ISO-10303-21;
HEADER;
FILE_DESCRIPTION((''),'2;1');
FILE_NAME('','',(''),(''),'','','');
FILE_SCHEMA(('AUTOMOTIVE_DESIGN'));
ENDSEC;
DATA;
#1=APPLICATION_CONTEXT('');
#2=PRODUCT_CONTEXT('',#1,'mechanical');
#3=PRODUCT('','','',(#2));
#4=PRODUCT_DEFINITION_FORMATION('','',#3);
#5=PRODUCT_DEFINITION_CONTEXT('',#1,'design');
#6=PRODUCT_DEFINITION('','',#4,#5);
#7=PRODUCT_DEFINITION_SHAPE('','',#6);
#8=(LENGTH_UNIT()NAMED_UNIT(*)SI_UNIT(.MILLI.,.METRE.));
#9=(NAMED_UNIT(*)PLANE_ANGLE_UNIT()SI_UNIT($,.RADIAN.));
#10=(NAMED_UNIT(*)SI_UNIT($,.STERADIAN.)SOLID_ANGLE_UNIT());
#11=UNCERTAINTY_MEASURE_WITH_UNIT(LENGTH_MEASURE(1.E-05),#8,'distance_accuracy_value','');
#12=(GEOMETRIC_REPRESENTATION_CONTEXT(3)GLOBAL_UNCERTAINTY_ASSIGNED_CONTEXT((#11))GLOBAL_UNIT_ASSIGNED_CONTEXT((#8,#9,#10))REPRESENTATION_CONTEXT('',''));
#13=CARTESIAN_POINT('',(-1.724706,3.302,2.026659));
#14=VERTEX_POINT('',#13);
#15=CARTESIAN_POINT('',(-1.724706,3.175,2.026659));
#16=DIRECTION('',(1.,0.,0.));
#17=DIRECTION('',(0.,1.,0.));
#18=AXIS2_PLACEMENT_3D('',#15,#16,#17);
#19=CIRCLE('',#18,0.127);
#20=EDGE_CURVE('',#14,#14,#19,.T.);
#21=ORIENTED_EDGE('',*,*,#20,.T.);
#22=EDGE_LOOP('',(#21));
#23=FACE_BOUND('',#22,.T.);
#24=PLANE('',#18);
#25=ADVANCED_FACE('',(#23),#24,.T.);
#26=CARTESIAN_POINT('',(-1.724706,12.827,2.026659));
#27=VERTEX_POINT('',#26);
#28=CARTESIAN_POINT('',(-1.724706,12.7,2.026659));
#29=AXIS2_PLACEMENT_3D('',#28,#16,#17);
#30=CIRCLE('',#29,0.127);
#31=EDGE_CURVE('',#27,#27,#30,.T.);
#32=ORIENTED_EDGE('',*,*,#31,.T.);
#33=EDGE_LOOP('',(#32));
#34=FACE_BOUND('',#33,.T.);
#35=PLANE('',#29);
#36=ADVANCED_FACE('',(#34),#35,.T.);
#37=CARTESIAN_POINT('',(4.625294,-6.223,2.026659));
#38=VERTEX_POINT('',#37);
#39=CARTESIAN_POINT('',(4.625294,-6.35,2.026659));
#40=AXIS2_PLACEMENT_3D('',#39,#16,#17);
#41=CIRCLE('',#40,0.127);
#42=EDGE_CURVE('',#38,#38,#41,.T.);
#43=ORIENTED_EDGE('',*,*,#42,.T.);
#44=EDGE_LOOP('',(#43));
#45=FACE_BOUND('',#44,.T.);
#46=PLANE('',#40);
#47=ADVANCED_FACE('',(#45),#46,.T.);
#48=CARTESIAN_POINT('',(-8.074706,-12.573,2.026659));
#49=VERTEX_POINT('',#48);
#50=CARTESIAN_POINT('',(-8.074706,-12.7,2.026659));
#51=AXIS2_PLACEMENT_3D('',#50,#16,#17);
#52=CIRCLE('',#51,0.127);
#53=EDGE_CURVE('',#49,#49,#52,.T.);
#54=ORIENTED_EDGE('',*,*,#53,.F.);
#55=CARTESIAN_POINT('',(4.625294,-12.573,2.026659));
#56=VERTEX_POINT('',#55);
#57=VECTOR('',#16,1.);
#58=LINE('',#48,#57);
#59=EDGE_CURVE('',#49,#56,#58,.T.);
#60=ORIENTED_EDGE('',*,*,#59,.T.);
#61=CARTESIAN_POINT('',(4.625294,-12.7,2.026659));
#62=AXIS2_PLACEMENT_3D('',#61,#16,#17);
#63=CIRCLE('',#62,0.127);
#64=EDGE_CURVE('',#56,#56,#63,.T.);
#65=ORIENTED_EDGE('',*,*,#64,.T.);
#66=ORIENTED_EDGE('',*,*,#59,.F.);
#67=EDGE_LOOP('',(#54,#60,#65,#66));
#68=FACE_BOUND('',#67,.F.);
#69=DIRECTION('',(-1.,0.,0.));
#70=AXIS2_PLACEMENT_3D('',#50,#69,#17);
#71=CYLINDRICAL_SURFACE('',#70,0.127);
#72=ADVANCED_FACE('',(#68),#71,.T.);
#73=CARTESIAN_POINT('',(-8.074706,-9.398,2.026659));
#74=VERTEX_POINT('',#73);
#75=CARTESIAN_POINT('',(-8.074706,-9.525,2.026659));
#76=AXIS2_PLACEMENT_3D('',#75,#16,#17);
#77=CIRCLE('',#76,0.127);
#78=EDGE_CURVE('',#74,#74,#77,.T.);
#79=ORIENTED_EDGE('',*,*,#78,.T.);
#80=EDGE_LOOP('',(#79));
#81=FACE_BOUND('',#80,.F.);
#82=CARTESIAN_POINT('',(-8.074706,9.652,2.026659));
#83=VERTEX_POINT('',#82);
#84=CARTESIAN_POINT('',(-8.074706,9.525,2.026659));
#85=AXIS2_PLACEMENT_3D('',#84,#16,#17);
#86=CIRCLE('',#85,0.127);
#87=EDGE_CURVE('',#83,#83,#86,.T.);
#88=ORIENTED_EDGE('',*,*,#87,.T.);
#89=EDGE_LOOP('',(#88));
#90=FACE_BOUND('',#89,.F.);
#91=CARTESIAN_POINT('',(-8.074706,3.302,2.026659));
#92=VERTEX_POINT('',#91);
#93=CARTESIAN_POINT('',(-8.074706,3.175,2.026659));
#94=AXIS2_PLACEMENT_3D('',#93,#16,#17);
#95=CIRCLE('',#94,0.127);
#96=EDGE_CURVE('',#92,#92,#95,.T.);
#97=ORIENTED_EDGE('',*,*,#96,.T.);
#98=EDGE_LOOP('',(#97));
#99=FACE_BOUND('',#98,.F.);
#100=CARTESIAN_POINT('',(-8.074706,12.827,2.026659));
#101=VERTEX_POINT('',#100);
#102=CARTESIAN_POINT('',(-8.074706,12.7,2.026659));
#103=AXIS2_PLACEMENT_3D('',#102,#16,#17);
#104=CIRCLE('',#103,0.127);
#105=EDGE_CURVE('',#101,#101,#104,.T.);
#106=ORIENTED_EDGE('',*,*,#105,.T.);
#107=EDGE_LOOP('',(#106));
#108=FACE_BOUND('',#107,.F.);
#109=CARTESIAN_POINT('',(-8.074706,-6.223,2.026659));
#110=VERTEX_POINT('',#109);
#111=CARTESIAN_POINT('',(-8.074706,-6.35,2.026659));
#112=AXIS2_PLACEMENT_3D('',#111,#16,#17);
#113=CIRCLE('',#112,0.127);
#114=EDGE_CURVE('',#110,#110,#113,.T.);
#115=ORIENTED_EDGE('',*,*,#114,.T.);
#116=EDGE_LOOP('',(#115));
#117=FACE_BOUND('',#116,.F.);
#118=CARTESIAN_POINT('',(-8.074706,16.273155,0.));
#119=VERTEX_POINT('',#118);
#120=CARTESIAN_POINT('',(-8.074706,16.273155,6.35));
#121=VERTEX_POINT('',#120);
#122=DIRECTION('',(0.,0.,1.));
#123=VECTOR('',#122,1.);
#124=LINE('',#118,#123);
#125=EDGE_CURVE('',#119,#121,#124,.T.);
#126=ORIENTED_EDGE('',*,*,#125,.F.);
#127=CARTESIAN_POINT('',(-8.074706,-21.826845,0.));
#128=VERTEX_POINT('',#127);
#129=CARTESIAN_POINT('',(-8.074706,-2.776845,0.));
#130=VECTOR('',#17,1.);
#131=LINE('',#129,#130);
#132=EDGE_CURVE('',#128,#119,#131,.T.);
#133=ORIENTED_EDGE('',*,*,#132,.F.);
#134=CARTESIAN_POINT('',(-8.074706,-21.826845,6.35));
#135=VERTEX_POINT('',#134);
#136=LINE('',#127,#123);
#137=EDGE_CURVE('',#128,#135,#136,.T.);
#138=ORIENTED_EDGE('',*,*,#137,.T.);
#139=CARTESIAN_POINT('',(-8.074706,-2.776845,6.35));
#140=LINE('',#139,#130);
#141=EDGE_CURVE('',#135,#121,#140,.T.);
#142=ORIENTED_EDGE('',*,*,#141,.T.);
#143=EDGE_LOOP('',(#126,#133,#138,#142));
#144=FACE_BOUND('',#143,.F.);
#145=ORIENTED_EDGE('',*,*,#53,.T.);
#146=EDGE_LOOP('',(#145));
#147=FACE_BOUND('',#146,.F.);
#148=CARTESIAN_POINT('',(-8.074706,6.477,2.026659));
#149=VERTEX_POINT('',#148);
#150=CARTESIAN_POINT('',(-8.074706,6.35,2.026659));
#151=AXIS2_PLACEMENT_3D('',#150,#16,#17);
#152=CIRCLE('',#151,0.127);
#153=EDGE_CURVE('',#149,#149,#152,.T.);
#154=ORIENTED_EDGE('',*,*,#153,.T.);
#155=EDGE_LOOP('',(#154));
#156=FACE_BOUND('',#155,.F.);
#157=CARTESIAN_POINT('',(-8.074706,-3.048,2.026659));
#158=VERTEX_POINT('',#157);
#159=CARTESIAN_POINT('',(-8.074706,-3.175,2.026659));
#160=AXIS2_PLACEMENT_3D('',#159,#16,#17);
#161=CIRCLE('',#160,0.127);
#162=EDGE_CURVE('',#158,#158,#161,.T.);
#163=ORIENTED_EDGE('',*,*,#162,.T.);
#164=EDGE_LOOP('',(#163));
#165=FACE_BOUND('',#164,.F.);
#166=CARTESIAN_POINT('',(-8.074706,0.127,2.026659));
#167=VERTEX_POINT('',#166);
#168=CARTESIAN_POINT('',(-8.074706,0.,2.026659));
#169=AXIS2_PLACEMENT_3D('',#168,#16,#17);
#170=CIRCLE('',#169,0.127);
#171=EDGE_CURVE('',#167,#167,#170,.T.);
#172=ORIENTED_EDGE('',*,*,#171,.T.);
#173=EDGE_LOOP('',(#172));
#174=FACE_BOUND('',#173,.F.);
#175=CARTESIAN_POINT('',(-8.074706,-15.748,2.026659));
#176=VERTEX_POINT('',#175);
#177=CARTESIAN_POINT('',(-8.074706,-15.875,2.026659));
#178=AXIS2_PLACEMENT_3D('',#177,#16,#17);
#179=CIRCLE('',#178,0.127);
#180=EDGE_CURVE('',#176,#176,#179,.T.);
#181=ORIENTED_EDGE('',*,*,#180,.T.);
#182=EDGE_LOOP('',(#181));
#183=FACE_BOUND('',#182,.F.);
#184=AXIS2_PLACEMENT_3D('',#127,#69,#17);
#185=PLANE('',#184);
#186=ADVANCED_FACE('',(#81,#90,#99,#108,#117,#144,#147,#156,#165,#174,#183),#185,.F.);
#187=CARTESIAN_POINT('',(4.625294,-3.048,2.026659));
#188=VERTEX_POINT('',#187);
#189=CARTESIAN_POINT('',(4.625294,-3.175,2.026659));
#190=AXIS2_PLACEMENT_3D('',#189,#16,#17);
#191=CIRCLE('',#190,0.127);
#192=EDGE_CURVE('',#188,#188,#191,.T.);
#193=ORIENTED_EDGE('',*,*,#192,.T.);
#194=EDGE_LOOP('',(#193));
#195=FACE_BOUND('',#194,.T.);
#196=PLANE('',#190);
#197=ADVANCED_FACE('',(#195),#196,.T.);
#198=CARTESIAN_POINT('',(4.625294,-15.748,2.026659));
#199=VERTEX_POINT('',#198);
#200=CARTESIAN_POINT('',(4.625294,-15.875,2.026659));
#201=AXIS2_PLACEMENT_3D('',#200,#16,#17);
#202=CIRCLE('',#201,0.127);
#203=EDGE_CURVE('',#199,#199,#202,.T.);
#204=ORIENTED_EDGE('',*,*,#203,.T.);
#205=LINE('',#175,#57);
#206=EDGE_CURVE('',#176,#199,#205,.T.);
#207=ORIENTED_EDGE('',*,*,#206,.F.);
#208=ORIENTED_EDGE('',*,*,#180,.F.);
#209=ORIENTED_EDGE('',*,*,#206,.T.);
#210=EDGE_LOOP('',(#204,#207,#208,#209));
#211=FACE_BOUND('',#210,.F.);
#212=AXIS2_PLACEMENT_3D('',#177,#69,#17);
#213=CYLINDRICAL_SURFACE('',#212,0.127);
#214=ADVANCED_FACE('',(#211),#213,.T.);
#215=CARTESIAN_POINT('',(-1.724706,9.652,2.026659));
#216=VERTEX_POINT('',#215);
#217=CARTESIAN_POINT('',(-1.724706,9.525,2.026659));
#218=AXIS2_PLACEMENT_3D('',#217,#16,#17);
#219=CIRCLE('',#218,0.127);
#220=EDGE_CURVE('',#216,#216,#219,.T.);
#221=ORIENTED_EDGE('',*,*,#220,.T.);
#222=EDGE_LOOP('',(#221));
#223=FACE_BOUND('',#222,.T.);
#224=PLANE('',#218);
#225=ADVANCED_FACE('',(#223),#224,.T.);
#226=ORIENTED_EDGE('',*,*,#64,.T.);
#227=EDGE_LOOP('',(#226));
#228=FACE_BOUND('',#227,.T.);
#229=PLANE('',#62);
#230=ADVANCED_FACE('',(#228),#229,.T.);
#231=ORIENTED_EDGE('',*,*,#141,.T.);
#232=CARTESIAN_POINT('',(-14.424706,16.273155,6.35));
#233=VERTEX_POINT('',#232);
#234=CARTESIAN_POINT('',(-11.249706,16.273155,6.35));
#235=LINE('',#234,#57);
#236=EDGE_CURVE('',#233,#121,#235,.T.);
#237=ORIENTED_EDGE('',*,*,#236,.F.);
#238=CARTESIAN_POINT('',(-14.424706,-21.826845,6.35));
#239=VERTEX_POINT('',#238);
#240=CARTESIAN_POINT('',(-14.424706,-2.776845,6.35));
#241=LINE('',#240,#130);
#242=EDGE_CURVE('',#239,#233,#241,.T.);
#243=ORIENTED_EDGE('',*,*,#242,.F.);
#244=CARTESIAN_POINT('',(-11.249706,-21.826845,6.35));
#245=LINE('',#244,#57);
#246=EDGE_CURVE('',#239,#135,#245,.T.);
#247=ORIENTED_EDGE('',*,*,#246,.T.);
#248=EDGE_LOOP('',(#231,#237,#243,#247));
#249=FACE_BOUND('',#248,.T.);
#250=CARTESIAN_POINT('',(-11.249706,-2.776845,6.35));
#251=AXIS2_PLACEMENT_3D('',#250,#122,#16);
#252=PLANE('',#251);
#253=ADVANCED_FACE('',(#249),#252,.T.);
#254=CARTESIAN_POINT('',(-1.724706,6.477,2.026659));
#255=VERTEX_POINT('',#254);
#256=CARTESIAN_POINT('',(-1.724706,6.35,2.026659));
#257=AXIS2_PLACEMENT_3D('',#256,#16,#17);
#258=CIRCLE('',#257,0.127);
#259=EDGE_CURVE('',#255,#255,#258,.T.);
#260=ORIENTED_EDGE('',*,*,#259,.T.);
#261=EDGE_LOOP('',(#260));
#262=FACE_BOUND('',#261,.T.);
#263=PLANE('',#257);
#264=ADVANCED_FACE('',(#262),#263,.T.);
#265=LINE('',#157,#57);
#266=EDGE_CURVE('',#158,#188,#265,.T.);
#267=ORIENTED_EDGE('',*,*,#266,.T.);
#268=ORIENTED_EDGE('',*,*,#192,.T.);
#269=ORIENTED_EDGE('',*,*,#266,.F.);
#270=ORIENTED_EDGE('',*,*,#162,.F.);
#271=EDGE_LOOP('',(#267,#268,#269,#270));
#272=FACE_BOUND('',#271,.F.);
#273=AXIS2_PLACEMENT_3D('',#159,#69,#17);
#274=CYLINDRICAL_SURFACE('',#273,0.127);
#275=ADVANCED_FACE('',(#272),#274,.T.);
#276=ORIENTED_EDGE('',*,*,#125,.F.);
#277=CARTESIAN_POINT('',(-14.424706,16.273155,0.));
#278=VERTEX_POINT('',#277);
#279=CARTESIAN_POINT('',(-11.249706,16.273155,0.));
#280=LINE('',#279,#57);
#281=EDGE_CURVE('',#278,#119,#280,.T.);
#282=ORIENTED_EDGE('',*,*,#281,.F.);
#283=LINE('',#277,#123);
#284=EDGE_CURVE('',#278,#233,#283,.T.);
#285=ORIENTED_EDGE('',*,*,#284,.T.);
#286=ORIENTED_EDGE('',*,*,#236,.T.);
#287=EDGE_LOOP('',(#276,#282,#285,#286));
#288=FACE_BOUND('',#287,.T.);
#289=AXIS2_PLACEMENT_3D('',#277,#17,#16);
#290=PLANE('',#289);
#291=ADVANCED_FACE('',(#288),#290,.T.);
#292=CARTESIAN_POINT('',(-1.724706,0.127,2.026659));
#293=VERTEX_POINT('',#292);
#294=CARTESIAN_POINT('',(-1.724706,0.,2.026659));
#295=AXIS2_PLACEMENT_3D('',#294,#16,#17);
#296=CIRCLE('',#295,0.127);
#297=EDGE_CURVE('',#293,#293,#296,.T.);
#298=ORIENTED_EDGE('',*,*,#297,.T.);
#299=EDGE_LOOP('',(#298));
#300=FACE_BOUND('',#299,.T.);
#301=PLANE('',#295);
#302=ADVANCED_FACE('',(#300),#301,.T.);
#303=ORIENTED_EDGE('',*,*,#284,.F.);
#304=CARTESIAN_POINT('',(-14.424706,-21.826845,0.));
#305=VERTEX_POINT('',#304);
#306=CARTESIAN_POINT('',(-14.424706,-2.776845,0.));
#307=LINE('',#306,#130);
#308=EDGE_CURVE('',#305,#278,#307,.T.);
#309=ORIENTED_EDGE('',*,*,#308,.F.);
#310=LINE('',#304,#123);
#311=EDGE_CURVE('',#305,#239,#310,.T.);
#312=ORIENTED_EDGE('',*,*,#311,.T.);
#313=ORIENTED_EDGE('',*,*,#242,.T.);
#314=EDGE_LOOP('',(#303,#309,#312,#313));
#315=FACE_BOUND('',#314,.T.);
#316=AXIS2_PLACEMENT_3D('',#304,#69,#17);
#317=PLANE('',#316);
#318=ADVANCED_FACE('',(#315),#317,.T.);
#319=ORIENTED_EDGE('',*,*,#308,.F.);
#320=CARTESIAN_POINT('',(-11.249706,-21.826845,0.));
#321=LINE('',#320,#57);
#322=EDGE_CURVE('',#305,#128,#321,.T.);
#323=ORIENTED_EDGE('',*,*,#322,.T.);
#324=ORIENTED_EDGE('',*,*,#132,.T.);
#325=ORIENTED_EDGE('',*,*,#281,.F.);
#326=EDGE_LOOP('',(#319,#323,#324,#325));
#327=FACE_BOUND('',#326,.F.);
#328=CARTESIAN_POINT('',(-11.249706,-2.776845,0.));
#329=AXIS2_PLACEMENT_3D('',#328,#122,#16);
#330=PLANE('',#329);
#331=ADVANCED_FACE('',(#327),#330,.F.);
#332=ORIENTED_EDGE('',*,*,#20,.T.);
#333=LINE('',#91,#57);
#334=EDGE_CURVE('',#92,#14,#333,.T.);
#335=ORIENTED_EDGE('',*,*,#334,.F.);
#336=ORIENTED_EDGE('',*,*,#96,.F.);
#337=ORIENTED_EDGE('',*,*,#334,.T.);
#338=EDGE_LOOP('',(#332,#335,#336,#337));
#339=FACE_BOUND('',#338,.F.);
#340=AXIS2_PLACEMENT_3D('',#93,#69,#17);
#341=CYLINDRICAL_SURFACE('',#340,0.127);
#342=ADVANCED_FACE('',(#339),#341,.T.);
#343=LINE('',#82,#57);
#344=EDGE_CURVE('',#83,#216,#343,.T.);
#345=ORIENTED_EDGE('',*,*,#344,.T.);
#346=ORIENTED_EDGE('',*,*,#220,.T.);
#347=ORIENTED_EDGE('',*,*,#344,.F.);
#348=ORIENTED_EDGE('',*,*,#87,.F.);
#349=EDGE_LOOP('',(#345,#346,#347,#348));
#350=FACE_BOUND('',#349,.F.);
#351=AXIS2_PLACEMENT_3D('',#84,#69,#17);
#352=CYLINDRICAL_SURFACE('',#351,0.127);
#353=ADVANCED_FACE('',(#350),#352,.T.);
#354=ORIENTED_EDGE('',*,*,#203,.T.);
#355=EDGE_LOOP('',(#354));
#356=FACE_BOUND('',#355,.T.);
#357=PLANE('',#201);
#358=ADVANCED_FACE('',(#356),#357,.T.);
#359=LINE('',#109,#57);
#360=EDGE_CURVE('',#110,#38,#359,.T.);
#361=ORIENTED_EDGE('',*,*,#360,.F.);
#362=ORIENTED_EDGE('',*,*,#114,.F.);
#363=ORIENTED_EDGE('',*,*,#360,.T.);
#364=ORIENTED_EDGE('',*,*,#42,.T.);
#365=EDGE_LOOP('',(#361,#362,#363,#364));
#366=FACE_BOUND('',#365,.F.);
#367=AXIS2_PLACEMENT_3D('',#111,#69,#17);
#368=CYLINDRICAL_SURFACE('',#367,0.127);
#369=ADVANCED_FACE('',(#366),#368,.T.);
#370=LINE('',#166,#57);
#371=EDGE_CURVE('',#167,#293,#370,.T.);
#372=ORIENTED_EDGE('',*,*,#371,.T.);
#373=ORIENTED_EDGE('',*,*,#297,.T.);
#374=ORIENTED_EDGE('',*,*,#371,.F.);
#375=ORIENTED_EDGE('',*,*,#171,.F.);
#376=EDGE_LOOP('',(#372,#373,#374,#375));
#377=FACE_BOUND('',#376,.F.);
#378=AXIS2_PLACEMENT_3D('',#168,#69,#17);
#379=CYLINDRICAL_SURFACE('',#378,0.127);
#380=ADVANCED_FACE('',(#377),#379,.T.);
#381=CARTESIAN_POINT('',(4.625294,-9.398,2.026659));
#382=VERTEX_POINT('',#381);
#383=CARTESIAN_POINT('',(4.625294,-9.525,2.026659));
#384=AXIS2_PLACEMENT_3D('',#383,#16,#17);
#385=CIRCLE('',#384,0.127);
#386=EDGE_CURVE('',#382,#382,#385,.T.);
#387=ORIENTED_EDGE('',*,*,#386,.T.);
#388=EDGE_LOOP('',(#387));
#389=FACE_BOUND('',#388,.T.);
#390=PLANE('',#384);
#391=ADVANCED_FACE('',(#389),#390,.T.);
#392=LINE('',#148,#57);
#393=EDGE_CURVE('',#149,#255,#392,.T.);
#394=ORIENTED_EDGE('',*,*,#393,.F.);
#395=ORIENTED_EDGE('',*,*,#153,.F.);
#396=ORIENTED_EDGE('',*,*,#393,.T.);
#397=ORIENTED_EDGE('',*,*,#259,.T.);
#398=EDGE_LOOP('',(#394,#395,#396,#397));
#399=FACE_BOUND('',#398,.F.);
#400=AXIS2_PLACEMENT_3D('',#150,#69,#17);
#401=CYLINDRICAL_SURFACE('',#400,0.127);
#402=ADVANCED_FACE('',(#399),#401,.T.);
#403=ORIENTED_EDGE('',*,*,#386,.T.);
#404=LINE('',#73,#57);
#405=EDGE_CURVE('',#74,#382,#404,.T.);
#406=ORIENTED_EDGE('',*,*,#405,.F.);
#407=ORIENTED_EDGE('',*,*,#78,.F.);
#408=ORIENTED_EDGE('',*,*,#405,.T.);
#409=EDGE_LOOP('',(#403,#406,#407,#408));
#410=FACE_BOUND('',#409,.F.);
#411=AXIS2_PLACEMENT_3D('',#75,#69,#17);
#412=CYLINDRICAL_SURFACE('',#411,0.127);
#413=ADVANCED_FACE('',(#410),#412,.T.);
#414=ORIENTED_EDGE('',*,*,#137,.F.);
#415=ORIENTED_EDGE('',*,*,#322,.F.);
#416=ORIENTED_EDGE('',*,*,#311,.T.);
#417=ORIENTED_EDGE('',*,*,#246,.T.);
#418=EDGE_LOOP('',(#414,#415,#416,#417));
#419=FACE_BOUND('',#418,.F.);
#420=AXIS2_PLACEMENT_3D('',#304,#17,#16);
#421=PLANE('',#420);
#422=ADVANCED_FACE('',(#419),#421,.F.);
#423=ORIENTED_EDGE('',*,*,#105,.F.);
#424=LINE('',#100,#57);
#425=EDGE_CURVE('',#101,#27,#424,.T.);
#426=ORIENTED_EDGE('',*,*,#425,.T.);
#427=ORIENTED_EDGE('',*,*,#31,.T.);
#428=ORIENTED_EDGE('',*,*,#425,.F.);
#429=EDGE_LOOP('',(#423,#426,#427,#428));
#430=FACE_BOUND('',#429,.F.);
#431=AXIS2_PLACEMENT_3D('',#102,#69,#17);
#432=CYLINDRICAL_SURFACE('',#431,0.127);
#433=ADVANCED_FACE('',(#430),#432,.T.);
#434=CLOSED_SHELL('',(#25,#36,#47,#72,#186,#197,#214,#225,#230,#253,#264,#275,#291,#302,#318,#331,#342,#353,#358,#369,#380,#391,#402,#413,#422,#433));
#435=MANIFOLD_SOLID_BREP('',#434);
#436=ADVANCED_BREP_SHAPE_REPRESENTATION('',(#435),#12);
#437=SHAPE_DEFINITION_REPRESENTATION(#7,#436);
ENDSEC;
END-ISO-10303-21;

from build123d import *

# Parameters (mm, degrees)
F0_W     = 6.35
F0_H     = 38.1
F1_DEPTH = 6.35
F2_R     = 0.127
F3_DEPTH = 12.7
F4_DEPTH = 6.35


with BuildPart() as f1:
    # F0 (on Top) → F1 (new body)
    with BuildSketch(Plane.XY):
        with Locations((-11.249706, -2.776845)):
            Rectangle(F0_W, F0_H)
    extrude(amount=F1_DEPTH)

    # F2 (on face) → F3 (join)
    with BuildSketch(Plane.YZ.offset(-8.074706)):
        with Locations((-3.175, 2.026659)):
            Circle(F2_R)
        with Locations((-6.35, 2.026659)):
            Circle(F2_R)
        with Locations((-9.525, 2.026659)):
            Circle(F2_R)
        with Locations((-12.7, 2.026659)):
            Circle(F2_R)
        with Locations((-15.875, 2.026659)):
            Circle(F2_R)
    extrude(amount=F3_DEPTH)

    # F2 (on face) → F4 (join)
    with BuildSketch(Plane.YZ.offset(-8.074706)):
        with Locations((12.7, 2.026659)):
            Circle(F2_R)
        with Locations((9.525, 2.026659)):
            Circle(F2_R)
        with Locations((6.35, 2.026659)):
            Circle(F2_R)
        with Locations((3.175, 2.026659)):
            Circle(F2_R)
        with Locations((0, 2.026659)):
            Circle(F2_R)
    extrude(amount=F4_DEPTH)


solid = f1.part
